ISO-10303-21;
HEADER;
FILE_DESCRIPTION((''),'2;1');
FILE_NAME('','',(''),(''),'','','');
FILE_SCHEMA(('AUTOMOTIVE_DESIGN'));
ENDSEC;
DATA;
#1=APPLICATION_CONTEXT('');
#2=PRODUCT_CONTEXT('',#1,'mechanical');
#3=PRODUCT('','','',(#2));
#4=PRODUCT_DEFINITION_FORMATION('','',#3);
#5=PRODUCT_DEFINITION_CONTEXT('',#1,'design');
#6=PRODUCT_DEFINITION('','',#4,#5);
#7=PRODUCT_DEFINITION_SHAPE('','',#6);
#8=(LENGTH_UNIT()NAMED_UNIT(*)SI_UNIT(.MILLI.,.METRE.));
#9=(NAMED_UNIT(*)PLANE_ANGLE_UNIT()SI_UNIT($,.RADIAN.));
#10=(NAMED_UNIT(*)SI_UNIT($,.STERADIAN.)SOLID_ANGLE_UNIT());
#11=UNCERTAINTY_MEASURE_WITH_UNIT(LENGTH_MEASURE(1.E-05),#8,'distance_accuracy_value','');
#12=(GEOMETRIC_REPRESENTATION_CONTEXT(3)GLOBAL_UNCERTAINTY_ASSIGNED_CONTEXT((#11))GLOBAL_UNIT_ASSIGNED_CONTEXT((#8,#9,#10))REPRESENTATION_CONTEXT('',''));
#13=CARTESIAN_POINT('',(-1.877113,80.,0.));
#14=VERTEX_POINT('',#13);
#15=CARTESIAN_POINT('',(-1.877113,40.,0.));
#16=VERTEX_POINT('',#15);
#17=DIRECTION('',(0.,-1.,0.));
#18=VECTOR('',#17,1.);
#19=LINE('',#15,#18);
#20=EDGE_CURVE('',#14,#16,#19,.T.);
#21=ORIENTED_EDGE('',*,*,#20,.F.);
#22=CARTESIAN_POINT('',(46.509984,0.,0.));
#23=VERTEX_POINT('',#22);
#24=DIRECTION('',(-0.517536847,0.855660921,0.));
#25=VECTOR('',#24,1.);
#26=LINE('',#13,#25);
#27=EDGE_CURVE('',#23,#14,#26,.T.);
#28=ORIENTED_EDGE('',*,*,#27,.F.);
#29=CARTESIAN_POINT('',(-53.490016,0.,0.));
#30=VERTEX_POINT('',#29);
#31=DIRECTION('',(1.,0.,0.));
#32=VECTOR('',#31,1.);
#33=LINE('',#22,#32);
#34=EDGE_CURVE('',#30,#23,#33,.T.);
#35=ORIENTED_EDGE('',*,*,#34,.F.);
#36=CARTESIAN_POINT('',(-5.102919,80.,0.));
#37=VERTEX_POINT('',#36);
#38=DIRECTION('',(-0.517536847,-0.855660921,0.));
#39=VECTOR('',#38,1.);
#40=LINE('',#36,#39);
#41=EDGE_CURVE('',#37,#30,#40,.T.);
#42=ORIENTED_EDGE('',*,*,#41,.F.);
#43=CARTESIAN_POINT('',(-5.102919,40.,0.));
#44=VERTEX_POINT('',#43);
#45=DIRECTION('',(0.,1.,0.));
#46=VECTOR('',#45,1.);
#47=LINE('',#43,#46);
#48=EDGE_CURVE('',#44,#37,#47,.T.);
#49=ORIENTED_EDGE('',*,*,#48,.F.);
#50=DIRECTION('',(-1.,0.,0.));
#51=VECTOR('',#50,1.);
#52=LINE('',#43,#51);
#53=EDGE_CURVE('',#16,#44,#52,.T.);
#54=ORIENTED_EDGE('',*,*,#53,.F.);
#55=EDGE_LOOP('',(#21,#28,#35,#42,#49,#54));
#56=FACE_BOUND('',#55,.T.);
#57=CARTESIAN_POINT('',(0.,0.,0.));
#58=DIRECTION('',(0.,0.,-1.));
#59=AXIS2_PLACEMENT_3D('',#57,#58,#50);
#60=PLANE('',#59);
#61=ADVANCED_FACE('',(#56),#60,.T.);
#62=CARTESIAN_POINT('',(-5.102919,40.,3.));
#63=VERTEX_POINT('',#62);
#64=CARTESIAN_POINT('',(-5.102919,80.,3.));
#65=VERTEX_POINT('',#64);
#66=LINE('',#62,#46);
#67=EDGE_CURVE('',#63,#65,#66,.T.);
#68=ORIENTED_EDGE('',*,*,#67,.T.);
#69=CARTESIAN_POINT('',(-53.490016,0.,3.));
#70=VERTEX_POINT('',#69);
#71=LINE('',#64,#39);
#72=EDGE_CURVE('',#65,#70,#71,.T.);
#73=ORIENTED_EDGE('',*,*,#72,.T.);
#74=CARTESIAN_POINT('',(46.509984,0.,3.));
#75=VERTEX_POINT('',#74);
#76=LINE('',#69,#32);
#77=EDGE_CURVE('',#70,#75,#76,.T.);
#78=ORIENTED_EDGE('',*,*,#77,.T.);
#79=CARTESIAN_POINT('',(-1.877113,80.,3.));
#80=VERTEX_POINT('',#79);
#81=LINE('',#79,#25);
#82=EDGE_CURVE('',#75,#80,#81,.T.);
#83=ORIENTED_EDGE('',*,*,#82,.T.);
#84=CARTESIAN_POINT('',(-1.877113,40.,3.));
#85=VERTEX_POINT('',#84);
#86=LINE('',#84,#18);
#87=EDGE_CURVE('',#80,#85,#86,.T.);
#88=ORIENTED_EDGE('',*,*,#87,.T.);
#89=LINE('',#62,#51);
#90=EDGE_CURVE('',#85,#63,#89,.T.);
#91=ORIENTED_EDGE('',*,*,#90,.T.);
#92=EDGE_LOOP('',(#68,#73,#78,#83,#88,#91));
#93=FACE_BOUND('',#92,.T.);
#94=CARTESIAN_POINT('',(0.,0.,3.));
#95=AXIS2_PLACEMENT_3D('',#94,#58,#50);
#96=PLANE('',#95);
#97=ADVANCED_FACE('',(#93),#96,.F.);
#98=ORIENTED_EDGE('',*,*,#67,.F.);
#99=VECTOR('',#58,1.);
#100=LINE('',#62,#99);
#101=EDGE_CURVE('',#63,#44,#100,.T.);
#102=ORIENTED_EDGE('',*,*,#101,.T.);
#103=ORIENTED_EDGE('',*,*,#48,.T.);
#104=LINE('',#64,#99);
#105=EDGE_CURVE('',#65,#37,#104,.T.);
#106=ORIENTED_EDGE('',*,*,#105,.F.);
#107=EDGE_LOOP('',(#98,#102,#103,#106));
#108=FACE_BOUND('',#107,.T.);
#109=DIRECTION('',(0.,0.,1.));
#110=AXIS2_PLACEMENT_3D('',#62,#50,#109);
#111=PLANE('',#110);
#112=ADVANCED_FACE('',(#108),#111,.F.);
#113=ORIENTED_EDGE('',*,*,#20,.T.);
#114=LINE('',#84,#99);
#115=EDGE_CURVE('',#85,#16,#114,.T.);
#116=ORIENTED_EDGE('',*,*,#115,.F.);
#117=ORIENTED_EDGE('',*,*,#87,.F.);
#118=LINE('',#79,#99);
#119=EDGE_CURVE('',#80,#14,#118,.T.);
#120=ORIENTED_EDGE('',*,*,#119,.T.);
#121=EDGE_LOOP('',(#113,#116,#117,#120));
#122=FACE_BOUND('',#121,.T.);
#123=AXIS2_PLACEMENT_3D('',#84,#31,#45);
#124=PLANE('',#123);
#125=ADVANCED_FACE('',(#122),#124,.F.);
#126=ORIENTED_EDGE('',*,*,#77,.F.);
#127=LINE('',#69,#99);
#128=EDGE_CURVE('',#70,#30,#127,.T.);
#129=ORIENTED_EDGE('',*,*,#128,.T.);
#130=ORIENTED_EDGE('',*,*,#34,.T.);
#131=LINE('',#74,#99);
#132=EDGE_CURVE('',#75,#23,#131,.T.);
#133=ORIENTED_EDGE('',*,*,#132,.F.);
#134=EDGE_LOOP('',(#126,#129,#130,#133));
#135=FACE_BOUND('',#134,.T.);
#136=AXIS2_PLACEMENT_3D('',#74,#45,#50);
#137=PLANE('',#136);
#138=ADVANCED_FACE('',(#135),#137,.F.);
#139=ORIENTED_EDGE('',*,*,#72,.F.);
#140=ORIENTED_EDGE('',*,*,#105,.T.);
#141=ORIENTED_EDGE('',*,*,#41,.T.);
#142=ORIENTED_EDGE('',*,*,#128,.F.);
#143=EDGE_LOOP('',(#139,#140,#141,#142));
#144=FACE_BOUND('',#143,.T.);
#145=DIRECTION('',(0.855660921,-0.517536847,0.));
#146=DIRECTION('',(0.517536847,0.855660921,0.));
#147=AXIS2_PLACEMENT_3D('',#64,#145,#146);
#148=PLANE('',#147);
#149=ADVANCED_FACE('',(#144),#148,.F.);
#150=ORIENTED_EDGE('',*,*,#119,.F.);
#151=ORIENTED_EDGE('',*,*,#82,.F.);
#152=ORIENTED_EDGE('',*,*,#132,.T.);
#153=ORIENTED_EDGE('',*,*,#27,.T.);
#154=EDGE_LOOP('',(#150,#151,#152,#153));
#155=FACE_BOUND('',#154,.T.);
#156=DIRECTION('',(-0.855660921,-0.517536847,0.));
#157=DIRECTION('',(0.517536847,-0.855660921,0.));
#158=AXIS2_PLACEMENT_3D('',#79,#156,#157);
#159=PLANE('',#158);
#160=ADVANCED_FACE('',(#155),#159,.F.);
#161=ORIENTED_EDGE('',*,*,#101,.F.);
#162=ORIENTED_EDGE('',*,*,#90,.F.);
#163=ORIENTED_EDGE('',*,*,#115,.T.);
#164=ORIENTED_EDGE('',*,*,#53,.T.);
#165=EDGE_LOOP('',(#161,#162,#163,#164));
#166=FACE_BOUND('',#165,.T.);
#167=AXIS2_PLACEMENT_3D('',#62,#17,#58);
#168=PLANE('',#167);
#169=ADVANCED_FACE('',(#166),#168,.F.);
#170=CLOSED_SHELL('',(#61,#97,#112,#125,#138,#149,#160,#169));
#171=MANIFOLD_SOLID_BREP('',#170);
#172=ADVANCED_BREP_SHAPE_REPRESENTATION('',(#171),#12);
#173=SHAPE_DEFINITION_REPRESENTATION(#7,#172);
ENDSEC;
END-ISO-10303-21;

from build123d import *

# Parameters (mm, degrees)
SALIENTE_EXTRUIR1_DEPTH = 3


with BuildPart() as part:
    # Croquis1 → Saliente-Extruir1 (new body)
    with BuildSketch(Plane.XY):
        Polygon((-5.102919442, 80), (-53.490016216, 0), (-1.87711299, 0), (46.509983784, 0), (-1.87711299, 80), (-1.87711299, 40), (-5.102919442, 40), align=None)
    extrude(amount=SALIENTE_EXTRUIR1_DEPTH)


solid = part.part
